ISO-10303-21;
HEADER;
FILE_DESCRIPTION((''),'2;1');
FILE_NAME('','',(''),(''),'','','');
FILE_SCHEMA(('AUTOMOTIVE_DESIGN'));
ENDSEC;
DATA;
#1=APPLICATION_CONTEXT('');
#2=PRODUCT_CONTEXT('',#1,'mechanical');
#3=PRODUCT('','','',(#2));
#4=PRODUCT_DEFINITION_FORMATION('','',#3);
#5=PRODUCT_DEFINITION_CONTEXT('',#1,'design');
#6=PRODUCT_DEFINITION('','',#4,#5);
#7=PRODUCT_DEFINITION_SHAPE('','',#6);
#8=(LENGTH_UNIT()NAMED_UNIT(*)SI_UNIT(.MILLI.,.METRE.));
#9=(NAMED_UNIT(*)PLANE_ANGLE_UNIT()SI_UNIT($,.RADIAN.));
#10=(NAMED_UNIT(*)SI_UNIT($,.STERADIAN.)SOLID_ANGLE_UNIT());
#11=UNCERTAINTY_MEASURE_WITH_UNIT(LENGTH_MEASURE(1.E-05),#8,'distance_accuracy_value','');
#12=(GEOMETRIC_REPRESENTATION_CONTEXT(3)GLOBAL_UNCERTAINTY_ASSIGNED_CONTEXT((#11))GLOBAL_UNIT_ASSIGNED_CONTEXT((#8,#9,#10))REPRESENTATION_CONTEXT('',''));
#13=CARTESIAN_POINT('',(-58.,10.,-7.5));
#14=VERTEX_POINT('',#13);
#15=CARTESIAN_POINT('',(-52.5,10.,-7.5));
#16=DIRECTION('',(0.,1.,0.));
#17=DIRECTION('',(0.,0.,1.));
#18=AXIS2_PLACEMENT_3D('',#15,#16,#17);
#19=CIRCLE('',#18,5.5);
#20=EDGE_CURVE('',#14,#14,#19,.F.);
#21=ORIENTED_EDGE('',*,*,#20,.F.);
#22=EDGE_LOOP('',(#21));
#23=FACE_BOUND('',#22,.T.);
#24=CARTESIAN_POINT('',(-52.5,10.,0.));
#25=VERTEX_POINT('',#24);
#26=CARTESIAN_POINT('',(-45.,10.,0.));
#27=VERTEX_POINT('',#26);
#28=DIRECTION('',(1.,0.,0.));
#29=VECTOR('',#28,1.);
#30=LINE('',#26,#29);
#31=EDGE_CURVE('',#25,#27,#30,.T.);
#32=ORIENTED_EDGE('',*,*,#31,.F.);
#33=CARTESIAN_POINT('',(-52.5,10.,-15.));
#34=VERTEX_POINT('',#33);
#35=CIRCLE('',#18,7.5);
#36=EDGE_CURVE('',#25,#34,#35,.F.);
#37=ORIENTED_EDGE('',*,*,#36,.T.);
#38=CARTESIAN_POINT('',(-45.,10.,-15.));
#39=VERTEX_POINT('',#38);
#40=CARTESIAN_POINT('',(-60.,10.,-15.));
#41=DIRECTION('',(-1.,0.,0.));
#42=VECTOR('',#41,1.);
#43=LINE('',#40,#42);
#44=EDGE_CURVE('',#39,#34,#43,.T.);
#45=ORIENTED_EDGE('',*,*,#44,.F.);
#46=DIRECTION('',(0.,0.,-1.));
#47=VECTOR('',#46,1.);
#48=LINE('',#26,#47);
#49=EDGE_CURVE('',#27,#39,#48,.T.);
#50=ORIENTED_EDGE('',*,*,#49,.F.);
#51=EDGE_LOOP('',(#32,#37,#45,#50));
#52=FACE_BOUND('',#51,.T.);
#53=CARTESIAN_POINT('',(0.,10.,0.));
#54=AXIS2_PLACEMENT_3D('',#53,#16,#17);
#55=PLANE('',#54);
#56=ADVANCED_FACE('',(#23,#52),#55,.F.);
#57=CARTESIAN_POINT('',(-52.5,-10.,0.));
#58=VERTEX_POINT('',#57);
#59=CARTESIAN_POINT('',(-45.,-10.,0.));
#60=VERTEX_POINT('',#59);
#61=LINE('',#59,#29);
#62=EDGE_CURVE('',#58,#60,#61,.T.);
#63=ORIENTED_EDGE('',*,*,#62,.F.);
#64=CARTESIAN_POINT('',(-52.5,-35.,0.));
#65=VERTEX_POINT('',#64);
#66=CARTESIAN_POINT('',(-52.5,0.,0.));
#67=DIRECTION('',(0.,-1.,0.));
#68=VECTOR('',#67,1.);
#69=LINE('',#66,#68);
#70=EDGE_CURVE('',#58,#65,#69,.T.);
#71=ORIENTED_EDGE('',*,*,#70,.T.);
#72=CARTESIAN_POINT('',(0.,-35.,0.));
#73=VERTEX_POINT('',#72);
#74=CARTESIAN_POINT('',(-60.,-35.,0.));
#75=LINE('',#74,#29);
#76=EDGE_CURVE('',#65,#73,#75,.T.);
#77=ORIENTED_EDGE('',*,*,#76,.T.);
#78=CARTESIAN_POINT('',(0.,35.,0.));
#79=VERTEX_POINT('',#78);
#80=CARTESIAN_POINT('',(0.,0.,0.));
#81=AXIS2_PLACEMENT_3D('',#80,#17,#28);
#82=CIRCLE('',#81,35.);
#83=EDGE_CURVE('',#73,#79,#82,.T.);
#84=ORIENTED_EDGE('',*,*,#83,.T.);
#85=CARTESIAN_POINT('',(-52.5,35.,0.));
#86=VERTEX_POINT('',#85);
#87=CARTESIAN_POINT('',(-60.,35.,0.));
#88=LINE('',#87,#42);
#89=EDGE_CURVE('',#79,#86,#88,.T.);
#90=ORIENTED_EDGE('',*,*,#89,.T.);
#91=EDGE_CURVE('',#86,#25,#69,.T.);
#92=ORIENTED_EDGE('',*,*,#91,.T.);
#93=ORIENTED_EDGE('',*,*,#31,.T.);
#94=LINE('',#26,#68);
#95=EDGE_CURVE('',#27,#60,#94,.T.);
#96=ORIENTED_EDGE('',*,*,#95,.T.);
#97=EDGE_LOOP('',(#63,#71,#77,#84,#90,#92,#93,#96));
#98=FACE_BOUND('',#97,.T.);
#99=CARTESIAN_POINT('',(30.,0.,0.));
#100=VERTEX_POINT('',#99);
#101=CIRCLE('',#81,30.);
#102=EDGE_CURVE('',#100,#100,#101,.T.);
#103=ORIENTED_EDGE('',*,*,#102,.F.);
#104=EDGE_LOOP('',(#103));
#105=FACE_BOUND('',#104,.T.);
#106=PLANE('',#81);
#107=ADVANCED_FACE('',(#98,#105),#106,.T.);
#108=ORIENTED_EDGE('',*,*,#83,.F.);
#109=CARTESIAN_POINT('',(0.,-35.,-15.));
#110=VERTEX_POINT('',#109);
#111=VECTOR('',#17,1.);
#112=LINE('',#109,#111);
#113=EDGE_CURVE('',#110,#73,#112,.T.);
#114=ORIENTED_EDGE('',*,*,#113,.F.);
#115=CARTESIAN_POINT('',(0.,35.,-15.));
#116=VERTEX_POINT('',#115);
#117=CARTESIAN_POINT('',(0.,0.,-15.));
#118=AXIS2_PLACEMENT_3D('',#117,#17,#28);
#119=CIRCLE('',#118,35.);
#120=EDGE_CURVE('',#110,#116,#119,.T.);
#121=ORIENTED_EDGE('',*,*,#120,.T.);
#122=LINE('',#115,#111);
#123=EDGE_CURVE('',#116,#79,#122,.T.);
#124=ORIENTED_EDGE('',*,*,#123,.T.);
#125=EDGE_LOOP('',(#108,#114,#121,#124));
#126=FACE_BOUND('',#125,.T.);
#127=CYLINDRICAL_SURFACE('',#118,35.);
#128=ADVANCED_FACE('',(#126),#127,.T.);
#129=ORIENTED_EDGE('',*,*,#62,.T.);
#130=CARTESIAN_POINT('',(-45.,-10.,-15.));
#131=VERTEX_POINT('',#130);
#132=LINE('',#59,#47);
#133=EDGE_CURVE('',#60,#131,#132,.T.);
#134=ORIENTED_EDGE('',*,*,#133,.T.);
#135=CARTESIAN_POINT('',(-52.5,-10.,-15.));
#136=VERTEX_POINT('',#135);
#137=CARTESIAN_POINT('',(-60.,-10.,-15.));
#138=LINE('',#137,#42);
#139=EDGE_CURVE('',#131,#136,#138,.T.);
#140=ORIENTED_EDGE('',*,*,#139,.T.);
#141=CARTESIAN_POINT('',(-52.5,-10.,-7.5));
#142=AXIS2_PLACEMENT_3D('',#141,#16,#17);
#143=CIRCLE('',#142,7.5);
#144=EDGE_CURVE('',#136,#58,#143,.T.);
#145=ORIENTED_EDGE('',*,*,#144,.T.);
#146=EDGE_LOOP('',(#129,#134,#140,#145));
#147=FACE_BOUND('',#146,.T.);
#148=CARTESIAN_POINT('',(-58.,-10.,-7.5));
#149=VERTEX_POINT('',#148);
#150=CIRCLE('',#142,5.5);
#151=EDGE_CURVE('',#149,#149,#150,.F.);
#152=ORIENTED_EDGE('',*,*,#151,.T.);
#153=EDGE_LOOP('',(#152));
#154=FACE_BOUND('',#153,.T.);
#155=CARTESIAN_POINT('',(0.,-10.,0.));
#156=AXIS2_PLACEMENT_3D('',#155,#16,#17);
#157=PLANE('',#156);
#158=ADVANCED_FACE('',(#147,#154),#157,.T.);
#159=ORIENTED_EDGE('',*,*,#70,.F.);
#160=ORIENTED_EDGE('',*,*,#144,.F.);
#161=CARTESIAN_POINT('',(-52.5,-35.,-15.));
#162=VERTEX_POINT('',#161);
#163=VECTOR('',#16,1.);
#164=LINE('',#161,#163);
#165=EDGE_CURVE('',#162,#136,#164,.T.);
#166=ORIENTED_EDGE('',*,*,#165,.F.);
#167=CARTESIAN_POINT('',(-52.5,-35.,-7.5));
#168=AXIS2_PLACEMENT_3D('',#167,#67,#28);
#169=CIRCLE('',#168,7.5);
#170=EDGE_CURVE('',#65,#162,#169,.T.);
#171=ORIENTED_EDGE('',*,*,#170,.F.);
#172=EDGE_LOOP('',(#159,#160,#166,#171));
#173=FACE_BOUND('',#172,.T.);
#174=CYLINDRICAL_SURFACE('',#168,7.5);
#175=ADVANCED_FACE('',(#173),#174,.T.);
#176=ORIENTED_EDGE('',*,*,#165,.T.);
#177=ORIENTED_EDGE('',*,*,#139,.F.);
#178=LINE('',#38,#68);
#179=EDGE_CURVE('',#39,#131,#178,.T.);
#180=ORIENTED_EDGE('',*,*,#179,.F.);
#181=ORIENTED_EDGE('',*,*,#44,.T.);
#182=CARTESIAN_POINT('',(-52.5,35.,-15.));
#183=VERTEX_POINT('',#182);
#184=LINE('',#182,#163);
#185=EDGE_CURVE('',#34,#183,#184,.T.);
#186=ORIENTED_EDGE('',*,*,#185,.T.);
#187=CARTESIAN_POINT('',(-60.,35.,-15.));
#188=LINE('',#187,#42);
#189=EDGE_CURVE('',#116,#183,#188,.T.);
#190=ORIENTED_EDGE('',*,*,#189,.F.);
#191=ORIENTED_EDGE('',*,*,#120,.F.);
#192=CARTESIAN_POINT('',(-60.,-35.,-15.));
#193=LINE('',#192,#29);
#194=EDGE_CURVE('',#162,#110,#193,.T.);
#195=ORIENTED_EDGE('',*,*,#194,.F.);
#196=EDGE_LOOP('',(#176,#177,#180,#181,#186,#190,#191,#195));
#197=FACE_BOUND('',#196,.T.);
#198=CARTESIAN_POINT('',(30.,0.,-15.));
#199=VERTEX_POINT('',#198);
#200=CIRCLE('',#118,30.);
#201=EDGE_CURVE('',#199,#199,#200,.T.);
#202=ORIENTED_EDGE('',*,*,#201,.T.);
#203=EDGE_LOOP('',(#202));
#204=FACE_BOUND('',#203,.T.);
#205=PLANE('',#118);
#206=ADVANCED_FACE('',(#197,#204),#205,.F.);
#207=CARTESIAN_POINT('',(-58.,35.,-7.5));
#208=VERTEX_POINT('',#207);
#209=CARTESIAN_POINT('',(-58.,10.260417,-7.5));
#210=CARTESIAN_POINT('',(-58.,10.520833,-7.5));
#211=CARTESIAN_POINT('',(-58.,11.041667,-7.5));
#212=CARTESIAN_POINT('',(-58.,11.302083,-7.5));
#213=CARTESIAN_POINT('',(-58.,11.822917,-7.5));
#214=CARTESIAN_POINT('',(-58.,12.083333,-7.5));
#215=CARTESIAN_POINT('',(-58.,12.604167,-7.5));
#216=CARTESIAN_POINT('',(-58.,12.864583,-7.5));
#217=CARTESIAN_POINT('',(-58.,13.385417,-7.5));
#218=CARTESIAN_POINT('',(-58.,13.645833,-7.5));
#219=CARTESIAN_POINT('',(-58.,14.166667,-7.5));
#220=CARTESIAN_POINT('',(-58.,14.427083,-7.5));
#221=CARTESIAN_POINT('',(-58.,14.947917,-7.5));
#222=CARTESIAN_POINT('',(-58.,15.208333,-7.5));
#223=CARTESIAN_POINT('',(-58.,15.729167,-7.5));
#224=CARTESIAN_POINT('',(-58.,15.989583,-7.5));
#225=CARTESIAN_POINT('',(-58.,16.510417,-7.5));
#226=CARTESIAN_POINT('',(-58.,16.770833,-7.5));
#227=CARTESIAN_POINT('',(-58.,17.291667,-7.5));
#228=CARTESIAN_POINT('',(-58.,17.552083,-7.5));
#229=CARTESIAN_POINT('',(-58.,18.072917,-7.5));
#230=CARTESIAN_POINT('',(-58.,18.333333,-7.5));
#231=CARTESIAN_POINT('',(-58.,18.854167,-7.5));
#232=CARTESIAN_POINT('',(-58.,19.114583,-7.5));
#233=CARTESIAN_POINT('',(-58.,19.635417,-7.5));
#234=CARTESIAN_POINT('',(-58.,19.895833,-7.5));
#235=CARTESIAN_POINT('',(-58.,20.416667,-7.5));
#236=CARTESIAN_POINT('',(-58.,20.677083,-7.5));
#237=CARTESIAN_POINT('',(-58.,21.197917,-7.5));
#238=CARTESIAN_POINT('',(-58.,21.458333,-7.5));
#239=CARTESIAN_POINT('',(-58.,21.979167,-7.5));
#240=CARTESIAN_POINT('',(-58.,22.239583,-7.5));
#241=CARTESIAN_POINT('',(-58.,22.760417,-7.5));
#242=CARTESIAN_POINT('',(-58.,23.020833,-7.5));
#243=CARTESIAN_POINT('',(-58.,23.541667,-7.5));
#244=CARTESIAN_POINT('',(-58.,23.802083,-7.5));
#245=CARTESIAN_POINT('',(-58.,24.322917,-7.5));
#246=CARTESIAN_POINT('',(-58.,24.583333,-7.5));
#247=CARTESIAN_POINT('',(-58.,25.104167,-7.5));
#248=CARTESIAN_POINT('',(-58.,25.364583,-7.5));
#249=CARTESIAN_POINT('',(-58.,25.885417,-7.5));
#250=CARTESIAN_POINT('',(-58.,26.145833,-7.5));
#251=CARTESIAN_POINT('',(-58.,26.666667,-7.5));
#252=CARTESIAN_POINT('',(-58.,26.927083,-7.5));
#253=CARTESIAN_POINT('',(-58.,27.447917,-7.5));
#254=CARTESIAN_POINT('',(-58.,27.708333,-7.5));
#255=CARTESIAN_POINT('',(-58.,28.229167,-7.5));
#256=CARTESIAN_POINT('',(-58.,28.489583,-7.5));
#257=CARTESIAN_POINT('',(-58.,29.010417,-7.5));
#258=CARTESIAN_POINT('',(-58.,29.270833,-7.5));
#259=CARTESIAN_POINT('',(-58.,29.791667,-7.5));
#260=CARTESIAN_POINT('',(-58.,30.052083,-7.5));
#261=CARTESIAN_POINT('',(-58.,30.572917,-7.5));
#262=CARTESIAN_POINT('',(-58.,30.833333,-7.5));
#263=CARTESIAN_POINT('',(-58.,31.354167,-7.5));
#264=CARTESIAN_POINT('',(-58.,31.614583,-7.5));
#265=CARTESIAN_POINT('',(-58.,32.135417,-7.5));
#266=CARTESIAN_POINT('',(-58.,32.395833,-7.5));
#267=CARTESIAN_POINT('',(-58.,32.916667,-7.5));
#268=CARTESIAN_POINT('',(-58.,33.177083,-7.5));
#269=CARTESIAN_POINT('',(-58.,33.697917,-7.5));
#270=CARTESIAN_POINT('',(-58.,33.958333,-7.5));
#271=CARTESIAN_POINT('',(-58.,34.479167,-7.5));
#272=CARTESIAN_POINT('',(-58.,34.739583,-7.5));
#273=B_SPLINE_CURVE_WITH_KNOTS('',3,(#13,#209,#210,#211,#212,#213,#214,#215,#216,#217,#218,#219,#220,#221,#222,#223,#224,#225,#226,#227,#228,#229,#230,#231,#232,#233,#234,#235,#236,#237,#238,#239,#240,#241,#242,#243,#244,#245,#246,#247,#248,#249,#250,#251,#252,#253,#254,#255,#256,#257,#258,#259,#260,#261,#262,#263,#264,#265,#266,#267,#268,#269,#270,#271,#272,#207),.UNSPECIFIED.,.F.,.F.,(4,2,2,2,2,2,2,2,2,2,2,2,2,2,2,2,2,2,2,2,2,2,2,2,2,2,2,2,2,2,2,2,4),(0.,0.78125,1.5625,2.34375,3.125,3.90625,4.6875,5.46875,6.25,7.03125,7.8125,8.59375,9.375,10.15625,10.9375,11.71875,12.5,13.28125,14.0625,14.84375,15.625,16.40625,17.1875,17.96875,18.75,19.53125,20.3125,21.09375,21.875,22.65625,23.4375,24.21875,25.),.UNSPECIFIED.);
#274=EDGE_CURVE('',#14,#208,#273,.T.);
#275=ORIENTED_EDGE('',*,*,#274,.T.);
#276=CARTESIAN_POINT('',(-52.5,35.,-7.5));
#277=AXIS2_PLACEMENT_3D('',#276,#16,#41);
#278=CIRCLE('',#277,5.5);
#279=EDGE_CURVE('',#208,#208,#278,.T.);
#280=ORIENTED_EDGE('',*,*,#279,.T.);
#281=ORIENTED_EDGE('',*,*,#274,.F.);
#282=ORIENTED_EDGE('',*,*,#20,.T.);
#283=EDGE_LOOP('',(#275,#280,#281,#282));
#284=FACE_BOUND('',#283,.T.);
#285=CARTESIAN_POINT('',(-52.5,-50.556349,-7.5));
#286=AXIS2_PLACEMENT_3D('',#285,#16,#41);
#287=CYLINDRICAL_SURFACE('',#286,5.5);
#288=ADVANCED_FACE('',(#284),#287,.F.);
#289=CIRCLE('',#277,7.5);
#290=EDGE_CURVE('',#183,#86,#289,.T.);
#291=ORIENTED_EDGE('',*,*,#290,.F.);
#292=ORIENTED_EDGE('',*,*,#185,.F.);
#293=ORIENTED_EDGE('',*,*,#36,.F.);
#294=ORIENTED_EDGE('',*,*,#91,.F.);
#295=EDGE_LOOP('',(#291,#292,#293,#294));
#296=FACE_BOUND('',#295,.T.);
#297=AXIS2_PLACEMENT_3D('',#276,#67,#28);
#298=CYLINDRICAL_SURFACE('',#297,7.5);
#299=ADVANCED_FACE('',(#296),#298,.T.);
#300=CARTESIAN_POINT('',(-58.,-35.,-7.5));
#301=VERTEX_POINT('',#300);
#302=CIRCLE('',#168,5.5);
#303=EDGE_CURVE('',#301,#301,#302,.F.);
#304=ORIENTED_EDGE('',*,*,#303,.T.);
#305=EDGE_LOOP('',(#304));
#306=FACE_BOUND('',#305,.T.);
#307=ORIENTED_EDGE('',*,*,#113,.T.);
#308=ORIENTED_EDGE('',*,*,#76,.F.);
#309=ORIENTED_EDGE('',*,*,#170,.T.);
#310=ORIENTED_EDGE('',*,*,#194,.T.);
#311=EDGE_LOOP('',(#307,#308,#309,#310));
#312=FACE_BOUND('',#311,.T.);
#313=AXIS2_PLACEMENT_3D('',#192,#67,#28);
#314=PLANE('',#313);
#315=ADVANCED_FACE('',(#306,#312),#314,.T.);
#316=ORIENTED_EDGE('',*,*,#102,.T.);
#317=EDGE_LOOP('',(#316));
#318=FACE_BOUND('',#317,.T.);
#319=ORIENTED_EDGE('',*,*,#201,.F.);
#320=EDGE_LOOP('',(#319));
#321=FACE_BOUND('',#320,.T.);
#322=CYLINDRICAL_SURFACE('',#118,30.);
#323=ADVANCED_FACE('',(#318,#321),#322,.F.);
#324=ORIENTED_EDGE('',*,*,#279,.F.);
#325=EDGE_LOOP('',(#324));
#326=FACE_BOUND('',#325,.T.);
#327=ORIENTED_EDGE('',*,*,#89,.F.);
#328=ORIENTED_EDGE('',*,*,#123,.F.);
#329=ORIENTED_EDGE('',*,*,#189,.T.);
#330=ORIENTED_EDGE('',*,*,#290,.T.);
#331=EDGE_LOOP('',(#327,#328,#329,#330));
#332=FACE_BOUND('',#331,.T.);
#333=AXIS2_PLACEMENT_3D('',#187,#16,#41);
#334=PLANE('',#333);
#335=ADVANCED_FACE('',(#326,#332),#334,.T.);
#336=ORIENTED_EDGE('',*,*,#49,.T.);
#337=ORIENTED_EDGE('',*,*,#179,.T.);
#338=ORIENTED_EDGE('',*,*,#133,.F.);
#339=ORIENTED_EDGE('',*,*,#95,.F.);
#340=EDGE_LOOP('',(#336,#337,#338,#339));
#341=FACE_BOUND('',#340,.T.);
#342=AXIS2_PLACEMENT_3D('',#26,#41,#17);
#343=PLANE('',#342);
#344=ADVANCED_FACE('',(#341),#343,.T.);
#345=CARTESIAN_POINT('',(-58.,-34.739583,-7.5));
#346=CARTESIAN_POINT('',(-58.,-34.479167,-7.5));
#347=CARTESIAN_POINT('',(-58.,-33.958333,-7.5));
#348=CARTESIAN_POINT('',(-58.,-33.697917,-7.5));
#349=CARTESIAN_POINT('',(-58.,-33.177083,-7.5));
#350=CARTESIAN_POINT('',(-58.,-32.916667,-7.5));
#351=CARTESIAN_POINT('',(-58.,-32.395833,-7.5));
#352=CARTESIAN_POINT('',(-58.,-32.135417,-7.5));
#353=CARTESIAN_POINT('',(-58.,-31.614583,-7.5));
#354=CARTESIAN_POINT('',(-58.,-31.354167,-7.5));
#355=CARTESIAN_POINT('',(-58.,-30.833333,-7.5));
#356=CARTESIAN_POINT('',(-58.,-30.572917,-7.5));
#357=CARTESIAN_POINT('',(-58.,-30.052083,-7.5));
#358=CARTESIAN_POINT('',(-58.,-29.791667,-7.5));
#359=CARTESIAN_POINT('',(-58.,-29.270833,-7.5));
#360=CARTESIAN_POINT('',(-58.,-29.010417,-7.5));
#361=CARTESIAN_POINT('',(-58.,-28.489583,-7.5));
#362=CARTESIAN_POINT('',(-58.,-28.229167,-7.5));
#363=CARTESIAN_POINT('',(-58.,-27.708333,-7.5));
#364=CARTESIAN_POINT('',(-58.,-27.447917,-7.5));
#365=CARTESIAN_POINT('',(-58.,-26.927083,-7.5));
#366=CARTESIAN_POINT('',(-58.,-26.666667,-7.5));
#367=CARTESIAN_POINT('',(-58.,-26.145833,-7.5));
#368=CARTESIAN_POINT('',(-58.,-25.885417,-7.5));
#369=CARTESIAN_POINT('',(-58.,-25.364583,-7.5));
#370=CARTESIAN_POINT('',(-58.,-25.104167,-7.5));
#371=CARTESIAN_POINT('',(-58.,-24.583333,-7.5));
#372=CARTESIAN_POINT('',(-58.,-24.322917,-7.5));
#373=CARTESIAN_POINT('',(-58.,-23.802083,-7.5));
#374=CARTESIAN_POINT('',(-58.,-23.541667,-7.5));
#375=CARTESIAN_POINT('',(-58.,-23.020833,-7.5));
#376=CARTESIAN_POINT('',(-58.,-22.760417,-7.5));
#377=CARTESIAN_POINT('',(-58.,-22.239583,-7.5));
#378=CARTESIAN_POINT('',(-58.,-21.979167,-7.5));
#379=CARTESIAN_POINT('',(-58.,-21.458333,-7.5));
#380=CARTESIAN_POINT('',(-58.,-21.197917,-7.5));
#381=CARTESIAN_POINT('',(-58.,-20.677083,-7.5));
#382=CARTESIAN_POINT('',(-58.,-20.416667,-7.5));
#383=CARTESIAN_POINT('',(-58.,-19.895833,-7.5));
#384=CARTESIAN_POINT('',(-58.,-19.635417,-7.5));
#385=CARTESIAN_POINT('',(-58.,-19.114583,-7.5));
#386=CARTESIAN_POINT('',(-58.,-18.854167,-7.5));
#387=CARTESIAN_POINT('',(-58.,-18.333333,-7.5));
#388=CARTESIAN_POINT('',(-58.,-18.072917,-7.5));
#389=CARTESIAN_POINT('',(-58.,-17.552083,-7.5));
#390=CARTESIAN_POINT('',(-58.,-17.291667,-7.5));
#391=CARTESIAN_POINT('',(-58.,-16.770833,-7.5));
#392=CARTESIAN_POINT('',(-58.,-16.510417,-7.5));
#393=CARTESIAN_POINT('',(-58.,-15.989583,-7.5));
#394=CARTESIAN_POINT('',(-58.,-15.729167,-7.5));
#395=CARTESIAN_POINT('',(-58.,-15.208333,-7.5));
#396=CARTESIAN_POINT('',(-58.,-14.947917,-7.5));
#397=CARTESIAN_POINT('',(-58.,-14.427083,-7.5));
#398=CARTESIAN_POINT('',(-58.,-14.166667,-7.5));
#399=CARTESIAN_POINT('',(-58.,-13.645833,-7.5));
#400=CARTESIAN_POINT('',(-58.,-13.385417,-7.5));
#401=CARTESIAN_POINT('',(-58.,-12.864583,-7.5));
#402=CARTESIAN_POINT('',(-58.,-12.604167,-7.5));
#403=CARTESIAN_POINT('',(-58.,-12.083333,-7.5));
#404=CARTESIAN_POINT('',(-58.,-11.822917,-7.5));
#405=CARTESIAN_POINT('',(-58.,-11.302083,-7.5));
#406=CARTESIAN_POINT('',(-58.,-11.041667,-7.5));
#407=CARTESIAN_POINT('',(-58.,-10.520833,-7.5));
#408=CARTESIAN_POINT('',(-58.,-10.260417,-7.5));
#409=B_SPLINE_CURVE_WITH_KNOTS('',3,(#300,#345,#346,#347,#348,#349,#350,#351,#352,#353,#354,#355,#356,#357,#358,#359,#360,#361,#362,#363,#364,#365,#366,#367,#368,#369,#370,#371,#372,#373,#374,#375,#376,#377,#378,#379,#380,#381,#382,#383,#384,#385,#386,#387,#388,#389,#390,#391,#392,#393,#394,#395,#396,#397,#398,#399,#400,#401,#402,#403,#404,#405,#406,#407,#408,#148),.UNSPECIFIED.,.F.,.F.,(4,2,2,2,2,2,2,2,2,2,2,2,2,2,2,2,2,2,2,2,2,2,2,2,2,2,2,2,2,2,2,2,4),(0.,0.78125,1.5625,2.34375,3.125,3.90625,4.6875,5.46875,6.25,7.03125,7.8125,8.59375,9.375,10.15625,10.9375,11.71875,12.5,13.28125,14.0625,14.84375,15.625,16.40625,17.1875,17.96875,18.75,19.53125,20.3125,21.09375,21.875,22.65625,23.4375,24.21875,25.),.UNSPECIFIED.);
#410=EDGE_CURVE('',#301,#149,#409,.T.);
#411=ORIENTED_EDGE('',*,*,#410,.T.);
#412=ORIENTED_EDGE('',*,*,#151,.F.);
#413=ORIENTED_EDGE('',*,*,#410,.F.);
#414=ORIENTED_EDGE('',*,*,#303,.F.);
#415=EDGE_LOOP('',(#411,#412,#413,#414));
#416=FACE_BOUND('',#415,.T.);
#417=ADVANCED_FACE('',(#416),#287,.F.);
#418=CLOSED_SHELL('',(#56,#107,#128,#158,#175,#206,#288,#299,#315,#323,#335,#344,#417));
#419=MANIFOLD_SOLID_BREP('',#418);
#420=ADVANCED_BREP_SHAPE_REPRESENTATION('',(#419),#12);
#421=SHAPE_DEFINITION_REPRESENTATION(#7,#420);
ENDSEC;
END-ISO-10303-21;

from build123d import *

# Parameters (mm, degrees)
PROFILE_SKETCH_R      = 30
PROFILE_EXTRUDE_DEPTH = 15
HOLE_SKETCH_R         = 5.5
HOLE_CUT_DEPTH        = 70
GAP_CUT_DEPTH         = 10
GAP_CUT_DEPTH_BACK    = 10
GAP_SKETCH_W          = 15
GAP_SKETCH_H          = 15
UPPER_FILLET_RADIUS   = 7.5
UPPER_FILLET_LENGTH   = 25
LOWER_FILLET_RADIUS   = 7.5
LOWER_FILLET_LENGTH   = 25


with BuildPart() as part:
    # Profile Sketch → Profile Extrude (new body)
    with BuildSketch(Plane.XY):
        with BuildLine():
            Line((-60, 35), (0, 35))
            ThreePointArc((0, 35), (35, 0), (0, -35))
            Line((0, -35), (-60, -35))
            Line((-60, -35), (-60, 35))
        make_face()
        Circle(PROFILE_SKETCH_R, mode=Mode.SUBTRACT)
    extrude(amount=-PROFILE_EXTRUDE_DEPTH)

    # Hole Sketch → Hole Cut (cut)
    with BuildSketch(Plane(origin=(0, 35, 0), x_dir=(1, 0, 0), z_dir=(0, 1, 0))):
        with Locations(Location((-52.5, 7.5, 0), (0, 0, 180))):
            Circle(HOLE_SKETCH_R)
    extrude(amount=-HOLE_CUT_DEPTH, mode=Mode.SUBTRACT)

    # Gap Sketch → Gap Cut (cut, two sides: drawn at the far end of the back side and taken through both)
    with BuildSketch(Plane(origin=(0, 0, 0), x_dir=(1, 0, 0), z_dir=(0, 1, 0)).offset(-GAP_CUT_DEPTH_BACK)):
        with Locations((-52.5, 7.5)):
            Rectangle(GAP_SKETCH_W, GAP_SKETCH_H)
    extrude(amount=GAP_CUT_DEPTH + GAP_CUT_DEPTH_BACK, mode=Mode.SUBTRACT)

    # Upper Fillet: full round fillet: the end face becomes a half cylinder, R = half its width
    upper_fillet_face = Plane((-60, 22.5, -7.5), x_dir=(0, -1, 0), z_dir=(-1, 0, 0))  # on the end face: x along it, z out of the body
    upper_fillet_slab = upper_fillet_face.offset(-UPPER_FILLET_RADIUS / 2) * Box(UPPER_FILLET_LENGTH, 2 * UPPER_FILLET_RADIUS, UPPER_FILLET_RADIUS, mode=Mode.PRIVATE)  # the body's end, R deep
    upper_fillet_round = Plane((-52.5, 22.5, -7.5), x_dir=(-1, 0, 0), z_dir=(0, -1, 0)) * Cylinder(UPPER_FILLET_RADIUS, UPPER_FILLET_LENGTH, mode=Mode.PRIVATE)  # its axis R under the face
    add(upper_fillet_slab - upper_fillet_round, mode=Mode.SUBTRACT)

    # Lower Fillet: full round fillet: the end face becomes a half cylinder, R = half its width
    lower_fillet_face = Plane((-60, -22.5, -7.5), x_dir=(0, 1, 0), z_dir=(-1, 0, 0))  # on the end face: x along it, z out of the body
    lower_fillet_slab = lower_fillet_face.offset(-LOWER_FILLET_RADIUS / 2) * Box(LOWER_FILLET_LENGTH, 2 * LOWER_FILLET_RADIUS, LOWER_FILLET_RADIUS, mode=Mode.PRIVATE)  # the body's end, R deep
    lower_fillet_round = Plane((-52.5, -22.5, -7.5), x_dir=(-1, 0, 0), z_dir=(0, 1, 0)) * Cylinder(LOWER_FILLET_RADIUS, LOWER_FILLET_LENGTH, mode=Mode.PRIVATE)  # its axis R under the face
    add(lower_fillet_slab - lower_fillet_round, mode=Mode.SUBTRACT)


solid = part.part
